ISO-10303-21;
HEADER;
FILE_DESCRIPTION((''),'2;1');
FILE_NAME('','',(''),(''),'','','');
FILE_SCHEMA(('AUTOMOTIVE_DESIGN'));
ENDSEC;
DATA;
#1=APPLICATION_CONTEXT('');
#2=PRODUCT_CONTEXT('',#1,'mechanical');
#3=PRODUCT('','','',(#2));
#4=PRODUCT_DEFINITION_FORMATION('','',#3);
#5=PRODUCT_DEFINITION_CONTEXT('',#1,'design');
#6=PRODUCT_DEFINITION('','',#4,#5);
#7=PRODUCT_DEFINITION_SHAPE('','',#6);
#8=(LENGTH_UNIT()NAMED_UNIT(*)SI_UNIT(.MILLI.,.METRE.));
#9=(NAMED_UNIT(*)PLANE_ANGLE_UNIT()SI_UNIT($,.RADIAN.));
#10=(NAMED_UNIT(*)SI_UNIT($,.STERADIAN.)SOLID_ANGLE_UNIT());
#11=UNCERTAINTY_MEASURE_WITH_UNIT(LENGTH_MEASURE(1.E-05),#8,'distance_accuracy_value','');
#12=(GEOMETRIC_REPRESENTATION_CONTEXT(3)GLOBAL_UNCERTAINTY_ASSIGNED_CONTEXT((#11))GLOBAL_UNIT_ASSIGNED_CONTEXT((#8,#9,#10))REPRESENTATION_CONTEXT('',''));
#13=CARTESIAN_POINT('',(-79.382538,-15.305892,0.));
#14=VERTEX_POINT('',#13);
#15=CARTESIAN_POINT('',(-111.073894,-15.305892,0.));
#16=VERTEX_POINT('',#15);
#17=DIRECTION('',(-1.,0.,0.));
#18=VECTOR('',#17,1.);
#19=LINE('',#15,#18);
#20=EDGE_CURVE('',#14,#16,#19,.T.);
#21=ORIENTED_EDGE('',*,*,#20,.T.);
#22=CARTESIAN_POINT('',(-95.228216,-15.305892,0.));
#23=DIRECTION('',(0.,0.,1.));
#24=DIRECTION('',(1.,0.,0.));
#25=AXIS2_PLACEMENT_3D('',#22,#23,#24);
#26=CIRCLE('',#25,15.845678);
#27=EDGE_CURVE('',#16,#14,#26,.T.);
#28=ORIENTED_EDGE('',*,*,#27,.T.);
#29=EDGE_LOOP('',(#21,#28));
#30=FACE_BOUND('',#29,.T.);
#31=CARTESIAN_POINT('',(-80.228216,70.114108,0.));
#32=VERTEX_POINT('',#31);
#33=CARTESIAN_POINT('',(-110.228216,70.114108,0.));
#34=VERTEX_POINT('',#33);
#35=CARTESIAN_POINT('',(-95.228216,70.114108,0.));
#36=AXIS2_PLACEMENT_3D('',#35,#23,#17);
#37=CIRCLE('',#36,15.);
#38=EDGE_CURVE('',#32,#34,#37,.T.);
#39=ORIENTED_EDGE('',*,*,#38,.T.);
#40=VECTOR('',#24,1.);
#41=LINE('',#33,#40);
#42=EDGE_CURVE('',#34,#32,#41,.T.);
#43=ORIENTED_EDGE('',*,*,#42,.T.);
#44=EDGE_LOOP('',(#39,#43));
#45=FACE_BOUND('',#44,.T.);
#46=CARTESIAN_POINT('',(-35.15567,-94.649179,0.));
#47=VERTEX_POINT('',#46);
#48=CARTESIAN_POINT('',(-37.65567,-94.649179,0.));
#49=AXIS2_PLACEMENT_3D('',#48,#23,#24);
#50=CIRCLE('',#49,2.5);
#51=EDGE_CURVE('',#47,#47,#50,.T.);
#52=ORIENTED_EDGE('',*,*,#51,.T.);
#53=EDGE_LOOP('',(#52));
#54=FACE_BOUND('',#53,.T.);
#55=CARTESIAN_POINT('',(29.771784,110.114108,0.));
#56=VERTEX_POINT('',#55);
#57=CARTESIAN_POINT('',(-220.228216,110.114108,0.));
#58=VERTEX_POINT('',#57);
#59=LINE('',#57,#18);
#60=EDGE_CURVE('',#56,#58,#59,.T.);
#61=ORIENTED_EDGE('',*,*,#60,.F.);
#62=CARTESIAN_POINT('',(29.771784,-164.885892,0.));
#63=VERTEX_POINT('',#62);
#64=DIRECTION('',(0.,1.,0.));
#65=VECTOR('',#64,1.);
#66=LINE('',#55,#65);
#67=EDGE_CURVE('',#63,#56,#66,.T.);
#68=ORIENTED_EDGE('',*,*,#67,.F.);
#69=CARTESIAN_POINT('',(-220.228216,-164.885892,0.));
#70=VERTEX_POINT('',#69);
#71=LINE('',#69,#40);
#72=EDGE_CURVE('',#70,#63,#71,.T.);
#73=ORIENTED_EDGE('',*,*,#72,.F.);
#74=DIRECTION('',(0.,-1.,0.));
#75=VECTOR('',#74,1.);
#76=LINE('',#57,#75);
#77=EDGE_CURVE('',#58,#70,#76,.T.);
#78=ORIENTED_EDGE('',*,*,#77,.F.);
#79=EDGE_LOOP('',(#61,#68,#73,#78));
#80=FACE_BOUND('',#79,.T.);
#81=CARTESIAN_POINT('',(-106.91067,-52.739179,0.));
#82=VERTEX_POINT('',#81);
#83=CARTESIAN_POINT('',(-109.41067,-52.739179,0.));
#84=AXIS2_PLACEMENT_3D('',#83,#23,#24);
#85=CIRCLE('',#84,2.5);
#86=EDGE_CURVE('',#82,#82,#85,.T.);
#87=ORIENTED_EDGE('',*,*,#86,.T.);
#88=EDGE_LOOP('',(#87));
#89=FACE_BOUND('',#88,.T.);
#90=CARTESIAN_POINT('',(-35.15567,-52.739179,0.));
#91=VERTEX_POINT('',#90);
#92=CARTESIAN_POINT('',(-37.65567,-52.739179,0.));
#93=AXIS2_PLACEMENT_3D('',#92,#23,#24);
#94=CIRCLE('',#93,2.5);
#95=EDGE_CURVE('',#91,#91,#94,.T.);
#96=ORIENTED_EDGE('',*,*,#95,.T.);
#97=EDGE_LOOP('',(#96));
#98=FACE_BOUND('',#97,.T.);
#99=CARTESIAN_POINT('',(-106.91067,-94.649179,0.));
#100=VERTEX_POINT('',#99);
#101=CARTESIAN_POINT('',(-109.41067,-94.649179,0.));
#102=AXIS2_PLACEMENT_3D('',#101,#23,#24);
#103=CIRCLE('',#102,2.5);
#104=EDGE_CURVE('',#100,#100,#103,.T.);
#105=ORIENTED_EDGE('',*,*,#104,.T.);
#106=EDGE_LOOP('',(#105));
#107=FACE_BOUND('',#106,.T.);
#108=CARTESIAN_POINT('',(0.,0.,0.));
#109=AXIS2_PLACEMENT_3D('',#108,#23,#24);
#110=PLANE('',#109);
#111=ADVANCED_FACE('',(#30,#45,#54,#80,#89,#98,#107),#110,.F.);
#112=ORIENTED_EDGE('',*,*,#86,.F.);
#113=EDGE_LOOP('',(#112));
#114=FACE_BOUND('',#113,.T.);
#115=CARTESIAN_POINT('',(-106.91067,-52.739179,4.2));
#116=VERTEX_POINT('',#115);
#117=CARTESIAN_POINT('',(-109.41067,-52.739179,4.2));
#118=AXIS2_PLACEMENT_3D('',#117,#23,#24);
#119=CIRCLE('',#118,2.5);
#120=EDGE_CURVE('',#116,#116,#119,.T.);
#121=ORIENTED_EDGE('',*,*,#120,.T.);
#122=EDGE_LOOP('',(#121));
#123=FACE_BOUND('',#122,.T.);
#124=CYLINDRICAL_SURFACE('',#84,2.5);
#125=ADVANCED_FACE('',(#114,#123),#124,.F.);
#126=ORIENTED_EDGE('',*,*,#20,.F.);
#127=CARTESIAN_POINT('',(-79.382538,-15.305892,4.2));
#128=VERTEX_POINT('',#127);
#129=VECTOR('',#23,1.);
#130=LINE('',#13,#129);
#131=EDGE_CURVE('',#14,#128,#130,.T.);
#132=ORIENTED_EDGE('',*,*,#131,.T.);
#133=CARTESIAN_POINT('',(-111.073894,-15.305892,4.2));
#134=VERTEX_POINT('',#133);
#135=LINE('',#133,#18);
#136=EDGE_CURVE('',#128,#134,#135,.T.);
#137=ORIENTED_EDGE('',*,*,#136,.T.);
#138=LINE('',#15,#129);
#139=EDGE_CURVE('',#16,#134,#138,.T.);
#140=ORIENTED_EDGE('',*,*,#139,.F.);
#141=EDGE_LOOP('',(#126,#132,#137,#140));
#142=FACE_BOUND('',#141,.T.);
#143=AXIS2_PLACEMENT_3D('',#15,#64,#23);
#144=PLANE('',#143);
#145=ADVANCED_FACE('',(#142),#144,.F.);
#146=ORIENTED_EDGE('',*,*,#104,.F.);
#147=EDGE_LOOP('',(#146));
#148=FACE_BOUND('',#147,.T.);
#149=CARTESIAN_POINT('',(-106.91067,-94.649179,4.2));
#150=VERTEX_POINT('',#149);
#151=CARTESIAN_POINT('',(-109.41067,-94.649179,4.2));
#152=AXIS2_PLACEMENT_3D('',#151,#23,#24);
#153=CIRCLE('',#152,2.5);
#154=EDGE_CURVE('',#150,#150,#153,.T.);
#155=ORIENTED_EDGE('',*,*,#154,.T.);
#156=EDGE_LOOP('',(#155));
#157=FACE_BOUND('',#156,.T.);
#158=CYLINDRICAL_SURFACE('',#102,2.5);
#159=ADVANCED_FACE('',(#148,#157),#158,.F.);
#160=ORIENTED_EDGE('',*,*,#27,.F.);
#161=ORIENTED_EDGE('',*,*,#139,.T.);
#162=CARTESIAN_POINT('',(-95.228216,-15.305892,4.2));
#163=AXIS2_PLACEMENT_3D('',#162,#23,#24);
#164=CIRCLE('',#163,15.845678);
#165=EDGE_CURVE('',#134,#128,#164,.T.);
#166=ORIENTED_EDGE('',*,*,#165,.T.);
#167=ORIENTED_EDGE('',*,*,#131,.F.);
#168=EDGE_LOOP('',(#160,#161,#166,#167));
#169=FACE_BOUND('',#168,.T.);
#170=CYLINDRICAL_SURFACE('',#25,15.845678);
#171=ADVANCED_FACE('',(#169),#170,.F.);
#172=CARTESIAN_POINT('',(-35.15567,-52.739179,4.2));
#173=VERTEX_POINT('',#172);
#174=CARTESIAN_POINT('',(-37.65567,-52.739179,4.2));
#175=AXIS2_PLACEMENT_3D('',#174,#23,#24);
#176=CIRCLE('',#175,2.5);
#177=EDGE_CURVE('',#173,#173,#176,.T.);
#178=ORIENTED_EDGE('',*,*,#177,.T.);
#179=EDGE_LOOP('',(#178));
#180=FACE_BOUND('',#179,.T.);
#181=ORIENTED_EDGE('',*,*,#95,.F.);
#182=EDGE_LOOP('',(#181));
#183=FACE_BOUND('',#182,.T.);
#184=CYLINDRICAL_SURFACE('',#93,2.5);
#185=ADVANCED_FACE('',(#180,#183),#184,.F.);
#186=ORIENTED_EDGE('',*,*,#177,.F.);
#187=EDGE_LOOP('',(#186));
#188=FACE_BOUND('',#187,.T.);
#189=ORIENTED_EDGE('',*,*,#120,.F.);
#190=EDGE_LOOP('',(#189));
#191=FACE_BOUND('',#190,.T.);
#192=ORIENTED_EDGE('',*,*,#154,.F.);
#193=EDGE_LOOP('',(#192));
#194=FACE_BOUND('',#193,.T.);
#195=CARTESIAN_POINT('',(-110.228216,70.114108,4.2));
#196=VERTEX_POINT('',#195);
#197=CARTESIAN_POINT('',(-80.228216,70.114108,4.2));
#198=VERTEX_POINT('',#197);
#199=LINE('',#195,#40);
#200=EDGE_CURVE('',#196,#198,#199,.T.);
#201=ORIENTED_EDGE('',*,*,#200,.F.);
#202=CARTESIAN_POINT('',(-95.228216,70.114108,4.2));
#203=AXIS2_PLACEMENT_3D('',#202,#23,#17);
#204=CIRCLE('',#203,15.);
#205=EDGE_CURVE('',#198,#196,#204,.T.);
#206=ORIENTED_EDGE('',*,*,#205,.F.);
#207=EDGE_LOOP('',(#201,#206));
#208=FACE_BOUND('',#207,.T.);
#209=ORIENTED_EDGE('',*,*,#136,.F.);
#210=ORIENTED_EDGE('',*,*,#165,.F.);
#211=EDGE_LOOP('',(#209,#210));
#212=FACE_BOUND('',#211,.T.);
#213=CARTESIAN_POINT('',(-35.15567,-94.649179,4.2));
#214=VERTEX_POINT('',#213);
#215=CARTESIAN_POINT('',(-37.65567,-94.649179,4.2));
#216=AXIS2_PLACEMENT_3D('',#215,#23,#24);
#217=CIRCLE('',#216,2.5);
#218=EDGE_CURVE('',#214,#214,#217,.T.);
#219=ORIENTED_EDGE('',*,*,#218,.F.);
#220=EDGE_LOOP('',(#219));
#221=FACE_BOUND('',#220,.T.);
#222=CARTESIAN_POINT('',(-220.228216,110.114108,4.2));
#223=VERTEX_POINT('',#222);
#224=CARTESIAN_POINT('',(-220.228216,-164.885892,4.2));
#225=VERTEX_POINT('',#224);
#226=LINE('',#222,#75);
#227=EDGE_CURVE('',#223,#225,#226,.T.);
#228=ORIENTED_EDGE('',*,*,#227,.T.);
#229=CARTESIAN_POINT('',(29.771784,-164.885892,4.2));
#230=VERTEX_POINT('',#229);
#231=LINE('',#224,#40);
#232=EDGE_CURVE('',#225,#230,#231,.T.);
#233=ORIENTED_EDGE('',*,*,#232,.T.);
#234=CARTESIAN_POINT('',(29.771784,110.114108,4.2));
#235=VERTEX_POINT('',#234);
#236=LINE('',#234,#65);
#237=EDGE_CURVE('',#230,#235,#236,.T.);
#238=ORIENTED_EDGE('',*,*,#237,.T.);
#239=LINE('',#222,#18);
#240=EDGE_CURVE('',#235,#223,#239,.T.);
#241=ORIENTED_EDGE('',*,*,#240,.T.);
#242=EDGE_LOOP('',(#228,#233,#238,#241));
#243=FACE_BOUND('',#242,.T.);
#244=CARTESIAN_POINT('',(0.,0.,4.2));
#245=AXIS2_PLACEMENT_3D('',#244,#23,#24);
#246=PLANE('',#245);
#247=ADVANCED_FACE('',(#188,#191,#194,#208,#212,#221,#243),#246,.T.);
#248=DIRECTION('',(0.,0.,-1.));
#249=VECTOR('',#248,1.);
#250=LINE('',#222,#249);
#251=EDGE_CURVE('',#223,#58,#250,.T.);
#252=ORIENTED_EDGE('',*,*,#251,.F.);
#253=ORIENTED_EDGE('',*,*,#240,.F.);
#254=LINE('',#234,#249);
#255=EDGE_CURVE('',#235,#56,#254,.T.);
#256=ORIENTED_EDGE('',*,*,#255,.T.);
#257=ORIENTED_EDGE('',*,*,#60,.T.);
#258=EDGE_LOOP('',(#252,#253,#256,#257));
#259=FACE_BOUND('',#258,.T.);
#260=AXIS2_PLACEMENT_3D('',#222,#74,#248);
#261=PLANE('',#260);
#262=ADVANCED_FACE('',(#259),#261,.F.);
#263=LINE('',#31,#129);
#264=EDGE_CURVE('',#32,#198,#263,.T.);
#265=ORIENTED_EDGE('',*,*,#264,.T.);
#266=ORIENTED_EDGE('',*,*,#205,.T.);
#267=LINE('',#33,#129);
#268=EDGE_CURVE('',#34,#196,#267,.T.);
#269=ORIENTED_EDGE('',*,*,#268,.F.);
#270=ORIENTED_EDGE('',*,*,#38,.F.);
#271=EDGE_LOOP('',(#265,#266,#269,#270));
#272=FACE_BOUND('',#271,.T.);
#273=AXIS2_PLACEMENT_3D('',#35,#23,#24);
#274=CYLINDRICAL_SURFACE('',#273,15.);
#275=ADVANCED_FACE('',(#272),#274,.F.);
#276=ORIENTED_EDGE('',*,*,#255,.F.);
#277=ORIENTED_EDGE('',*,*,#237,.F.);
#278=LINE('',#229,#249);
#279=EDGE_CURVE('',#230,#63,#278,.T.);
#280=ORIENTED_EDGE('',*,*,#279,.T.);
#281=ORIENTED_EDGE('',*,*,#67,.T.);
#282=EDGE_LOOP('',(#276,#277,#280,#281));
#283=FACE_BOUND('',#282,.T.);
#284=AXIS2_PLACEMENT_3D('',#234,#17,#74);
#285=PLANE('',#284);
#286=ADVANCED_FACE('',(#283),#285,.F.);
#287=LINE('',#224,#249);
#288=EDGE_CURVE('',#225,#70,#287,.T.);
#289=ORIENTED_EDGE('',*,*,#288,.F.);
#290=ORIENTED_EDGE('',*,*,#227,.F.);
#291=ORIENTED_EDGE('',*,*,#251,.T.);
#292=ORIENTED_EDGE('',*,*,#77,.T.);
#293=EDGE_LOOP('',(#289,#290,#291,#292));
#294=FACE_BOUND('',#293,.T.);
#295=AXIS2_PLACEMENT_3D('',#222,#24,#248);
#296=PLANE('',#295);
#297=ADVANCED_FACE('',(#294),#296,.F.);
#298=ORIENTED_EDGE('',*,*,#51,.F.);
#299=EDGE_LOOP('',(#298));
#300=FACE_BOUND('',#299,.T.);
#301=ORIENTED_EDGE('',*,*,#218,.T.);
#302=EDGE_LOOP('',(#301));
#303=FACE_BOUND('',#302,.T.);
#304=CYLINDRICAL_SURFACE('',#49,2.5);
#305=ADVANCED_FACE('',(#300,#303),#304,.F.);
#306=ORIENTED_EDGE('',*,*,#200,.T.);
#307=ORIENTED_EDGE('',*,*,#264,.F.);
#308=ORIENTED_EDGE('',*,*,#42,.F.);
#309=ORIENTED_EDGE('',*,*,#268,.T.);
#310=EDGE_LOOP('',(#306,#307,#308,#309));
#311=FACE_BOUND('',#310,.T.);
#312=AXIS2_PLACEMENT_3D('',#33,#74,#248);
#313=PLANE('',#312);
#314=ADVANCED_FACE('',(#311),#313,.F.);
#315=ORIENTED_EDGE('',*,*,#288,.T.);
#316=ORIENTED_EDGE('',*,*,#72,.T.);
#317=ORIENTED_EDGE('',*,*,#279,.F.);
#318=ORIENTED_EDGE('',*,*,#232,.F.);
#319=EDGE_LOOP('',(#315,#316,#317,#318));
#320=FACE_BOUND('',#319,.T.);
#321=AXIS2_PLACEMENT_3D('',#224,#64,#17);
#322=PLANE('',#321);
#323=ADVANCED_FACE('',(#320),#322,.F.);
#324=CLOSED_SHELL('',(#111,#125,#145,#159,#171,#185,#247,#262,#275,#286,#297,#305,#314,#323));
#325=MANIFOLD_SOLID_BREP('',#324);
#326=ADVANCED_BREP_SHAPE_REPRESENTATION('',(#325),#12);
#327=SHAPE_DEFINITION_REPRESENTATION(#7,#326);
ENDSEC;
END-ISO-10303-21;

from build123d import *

# Parameters (mm, degrees)
SKETCH1_W               = 250
SKETCH1_H               = 275
BOSS_EXTRUDE1_DEPTH     = 4.2
ESQUISSE1_R             = 2.50000008
ENL_V_MAT_EXTRU_1_DEPTH = 5.2


with BuildPart() as part:
    # Sketch1 → Boss-Extrude1 (new body)
    with BuildSketch(Plane.XY):
        with Locations((-95.228215768, -27.385892116)):
            Rectangle(SKETCH1_W, SKETCH1_H)
    extrude(amount=BOSS_EXTRUDE1_DEPTH)

    # Esquisse1 → Enlèv. mat.-Extru.1 (cut, through all)
    with BuildSketch(Plane.XY.offset(4.2)):
        with Locations((-37.655669773, -94.649179191)):
            Circle(ESQUISSE1_R)
        with Locations((-37.655669773, -52.739179191)):
            Circle(ESQUISSE1_R)
        with Locations((-109.410669773, -94.649179191)):
            Circle(ESQUISSE1_R)
        with Locations((-109.410669773, -52.739179191)):
            Circle(ESQUISSE1_R)
        with BuildLine():
            Line((-110.228215768, 70.114107884), (-80.228215768, 70.114107884))
            ThreePointArc((-80.228215768, 70.114107884), (-95.228215768, 85.114107884), (-110.228215768, 70.114107884))
        make_face()
        with BuildLine():
            Line((-111.073893882, -15.305892116), (-79.382537653, -15.305892116))
            ThreePointArc((-79.382537653, -15.305892116), (-95.228215768, -31.151570231), (-111.073893882, -15.305892116))
        make_face()
    extrude(amount=-ENL_V_MAT_EXTRU_1_DEPTH, mode=Mode.SUBTRACT)


solid = part.part
